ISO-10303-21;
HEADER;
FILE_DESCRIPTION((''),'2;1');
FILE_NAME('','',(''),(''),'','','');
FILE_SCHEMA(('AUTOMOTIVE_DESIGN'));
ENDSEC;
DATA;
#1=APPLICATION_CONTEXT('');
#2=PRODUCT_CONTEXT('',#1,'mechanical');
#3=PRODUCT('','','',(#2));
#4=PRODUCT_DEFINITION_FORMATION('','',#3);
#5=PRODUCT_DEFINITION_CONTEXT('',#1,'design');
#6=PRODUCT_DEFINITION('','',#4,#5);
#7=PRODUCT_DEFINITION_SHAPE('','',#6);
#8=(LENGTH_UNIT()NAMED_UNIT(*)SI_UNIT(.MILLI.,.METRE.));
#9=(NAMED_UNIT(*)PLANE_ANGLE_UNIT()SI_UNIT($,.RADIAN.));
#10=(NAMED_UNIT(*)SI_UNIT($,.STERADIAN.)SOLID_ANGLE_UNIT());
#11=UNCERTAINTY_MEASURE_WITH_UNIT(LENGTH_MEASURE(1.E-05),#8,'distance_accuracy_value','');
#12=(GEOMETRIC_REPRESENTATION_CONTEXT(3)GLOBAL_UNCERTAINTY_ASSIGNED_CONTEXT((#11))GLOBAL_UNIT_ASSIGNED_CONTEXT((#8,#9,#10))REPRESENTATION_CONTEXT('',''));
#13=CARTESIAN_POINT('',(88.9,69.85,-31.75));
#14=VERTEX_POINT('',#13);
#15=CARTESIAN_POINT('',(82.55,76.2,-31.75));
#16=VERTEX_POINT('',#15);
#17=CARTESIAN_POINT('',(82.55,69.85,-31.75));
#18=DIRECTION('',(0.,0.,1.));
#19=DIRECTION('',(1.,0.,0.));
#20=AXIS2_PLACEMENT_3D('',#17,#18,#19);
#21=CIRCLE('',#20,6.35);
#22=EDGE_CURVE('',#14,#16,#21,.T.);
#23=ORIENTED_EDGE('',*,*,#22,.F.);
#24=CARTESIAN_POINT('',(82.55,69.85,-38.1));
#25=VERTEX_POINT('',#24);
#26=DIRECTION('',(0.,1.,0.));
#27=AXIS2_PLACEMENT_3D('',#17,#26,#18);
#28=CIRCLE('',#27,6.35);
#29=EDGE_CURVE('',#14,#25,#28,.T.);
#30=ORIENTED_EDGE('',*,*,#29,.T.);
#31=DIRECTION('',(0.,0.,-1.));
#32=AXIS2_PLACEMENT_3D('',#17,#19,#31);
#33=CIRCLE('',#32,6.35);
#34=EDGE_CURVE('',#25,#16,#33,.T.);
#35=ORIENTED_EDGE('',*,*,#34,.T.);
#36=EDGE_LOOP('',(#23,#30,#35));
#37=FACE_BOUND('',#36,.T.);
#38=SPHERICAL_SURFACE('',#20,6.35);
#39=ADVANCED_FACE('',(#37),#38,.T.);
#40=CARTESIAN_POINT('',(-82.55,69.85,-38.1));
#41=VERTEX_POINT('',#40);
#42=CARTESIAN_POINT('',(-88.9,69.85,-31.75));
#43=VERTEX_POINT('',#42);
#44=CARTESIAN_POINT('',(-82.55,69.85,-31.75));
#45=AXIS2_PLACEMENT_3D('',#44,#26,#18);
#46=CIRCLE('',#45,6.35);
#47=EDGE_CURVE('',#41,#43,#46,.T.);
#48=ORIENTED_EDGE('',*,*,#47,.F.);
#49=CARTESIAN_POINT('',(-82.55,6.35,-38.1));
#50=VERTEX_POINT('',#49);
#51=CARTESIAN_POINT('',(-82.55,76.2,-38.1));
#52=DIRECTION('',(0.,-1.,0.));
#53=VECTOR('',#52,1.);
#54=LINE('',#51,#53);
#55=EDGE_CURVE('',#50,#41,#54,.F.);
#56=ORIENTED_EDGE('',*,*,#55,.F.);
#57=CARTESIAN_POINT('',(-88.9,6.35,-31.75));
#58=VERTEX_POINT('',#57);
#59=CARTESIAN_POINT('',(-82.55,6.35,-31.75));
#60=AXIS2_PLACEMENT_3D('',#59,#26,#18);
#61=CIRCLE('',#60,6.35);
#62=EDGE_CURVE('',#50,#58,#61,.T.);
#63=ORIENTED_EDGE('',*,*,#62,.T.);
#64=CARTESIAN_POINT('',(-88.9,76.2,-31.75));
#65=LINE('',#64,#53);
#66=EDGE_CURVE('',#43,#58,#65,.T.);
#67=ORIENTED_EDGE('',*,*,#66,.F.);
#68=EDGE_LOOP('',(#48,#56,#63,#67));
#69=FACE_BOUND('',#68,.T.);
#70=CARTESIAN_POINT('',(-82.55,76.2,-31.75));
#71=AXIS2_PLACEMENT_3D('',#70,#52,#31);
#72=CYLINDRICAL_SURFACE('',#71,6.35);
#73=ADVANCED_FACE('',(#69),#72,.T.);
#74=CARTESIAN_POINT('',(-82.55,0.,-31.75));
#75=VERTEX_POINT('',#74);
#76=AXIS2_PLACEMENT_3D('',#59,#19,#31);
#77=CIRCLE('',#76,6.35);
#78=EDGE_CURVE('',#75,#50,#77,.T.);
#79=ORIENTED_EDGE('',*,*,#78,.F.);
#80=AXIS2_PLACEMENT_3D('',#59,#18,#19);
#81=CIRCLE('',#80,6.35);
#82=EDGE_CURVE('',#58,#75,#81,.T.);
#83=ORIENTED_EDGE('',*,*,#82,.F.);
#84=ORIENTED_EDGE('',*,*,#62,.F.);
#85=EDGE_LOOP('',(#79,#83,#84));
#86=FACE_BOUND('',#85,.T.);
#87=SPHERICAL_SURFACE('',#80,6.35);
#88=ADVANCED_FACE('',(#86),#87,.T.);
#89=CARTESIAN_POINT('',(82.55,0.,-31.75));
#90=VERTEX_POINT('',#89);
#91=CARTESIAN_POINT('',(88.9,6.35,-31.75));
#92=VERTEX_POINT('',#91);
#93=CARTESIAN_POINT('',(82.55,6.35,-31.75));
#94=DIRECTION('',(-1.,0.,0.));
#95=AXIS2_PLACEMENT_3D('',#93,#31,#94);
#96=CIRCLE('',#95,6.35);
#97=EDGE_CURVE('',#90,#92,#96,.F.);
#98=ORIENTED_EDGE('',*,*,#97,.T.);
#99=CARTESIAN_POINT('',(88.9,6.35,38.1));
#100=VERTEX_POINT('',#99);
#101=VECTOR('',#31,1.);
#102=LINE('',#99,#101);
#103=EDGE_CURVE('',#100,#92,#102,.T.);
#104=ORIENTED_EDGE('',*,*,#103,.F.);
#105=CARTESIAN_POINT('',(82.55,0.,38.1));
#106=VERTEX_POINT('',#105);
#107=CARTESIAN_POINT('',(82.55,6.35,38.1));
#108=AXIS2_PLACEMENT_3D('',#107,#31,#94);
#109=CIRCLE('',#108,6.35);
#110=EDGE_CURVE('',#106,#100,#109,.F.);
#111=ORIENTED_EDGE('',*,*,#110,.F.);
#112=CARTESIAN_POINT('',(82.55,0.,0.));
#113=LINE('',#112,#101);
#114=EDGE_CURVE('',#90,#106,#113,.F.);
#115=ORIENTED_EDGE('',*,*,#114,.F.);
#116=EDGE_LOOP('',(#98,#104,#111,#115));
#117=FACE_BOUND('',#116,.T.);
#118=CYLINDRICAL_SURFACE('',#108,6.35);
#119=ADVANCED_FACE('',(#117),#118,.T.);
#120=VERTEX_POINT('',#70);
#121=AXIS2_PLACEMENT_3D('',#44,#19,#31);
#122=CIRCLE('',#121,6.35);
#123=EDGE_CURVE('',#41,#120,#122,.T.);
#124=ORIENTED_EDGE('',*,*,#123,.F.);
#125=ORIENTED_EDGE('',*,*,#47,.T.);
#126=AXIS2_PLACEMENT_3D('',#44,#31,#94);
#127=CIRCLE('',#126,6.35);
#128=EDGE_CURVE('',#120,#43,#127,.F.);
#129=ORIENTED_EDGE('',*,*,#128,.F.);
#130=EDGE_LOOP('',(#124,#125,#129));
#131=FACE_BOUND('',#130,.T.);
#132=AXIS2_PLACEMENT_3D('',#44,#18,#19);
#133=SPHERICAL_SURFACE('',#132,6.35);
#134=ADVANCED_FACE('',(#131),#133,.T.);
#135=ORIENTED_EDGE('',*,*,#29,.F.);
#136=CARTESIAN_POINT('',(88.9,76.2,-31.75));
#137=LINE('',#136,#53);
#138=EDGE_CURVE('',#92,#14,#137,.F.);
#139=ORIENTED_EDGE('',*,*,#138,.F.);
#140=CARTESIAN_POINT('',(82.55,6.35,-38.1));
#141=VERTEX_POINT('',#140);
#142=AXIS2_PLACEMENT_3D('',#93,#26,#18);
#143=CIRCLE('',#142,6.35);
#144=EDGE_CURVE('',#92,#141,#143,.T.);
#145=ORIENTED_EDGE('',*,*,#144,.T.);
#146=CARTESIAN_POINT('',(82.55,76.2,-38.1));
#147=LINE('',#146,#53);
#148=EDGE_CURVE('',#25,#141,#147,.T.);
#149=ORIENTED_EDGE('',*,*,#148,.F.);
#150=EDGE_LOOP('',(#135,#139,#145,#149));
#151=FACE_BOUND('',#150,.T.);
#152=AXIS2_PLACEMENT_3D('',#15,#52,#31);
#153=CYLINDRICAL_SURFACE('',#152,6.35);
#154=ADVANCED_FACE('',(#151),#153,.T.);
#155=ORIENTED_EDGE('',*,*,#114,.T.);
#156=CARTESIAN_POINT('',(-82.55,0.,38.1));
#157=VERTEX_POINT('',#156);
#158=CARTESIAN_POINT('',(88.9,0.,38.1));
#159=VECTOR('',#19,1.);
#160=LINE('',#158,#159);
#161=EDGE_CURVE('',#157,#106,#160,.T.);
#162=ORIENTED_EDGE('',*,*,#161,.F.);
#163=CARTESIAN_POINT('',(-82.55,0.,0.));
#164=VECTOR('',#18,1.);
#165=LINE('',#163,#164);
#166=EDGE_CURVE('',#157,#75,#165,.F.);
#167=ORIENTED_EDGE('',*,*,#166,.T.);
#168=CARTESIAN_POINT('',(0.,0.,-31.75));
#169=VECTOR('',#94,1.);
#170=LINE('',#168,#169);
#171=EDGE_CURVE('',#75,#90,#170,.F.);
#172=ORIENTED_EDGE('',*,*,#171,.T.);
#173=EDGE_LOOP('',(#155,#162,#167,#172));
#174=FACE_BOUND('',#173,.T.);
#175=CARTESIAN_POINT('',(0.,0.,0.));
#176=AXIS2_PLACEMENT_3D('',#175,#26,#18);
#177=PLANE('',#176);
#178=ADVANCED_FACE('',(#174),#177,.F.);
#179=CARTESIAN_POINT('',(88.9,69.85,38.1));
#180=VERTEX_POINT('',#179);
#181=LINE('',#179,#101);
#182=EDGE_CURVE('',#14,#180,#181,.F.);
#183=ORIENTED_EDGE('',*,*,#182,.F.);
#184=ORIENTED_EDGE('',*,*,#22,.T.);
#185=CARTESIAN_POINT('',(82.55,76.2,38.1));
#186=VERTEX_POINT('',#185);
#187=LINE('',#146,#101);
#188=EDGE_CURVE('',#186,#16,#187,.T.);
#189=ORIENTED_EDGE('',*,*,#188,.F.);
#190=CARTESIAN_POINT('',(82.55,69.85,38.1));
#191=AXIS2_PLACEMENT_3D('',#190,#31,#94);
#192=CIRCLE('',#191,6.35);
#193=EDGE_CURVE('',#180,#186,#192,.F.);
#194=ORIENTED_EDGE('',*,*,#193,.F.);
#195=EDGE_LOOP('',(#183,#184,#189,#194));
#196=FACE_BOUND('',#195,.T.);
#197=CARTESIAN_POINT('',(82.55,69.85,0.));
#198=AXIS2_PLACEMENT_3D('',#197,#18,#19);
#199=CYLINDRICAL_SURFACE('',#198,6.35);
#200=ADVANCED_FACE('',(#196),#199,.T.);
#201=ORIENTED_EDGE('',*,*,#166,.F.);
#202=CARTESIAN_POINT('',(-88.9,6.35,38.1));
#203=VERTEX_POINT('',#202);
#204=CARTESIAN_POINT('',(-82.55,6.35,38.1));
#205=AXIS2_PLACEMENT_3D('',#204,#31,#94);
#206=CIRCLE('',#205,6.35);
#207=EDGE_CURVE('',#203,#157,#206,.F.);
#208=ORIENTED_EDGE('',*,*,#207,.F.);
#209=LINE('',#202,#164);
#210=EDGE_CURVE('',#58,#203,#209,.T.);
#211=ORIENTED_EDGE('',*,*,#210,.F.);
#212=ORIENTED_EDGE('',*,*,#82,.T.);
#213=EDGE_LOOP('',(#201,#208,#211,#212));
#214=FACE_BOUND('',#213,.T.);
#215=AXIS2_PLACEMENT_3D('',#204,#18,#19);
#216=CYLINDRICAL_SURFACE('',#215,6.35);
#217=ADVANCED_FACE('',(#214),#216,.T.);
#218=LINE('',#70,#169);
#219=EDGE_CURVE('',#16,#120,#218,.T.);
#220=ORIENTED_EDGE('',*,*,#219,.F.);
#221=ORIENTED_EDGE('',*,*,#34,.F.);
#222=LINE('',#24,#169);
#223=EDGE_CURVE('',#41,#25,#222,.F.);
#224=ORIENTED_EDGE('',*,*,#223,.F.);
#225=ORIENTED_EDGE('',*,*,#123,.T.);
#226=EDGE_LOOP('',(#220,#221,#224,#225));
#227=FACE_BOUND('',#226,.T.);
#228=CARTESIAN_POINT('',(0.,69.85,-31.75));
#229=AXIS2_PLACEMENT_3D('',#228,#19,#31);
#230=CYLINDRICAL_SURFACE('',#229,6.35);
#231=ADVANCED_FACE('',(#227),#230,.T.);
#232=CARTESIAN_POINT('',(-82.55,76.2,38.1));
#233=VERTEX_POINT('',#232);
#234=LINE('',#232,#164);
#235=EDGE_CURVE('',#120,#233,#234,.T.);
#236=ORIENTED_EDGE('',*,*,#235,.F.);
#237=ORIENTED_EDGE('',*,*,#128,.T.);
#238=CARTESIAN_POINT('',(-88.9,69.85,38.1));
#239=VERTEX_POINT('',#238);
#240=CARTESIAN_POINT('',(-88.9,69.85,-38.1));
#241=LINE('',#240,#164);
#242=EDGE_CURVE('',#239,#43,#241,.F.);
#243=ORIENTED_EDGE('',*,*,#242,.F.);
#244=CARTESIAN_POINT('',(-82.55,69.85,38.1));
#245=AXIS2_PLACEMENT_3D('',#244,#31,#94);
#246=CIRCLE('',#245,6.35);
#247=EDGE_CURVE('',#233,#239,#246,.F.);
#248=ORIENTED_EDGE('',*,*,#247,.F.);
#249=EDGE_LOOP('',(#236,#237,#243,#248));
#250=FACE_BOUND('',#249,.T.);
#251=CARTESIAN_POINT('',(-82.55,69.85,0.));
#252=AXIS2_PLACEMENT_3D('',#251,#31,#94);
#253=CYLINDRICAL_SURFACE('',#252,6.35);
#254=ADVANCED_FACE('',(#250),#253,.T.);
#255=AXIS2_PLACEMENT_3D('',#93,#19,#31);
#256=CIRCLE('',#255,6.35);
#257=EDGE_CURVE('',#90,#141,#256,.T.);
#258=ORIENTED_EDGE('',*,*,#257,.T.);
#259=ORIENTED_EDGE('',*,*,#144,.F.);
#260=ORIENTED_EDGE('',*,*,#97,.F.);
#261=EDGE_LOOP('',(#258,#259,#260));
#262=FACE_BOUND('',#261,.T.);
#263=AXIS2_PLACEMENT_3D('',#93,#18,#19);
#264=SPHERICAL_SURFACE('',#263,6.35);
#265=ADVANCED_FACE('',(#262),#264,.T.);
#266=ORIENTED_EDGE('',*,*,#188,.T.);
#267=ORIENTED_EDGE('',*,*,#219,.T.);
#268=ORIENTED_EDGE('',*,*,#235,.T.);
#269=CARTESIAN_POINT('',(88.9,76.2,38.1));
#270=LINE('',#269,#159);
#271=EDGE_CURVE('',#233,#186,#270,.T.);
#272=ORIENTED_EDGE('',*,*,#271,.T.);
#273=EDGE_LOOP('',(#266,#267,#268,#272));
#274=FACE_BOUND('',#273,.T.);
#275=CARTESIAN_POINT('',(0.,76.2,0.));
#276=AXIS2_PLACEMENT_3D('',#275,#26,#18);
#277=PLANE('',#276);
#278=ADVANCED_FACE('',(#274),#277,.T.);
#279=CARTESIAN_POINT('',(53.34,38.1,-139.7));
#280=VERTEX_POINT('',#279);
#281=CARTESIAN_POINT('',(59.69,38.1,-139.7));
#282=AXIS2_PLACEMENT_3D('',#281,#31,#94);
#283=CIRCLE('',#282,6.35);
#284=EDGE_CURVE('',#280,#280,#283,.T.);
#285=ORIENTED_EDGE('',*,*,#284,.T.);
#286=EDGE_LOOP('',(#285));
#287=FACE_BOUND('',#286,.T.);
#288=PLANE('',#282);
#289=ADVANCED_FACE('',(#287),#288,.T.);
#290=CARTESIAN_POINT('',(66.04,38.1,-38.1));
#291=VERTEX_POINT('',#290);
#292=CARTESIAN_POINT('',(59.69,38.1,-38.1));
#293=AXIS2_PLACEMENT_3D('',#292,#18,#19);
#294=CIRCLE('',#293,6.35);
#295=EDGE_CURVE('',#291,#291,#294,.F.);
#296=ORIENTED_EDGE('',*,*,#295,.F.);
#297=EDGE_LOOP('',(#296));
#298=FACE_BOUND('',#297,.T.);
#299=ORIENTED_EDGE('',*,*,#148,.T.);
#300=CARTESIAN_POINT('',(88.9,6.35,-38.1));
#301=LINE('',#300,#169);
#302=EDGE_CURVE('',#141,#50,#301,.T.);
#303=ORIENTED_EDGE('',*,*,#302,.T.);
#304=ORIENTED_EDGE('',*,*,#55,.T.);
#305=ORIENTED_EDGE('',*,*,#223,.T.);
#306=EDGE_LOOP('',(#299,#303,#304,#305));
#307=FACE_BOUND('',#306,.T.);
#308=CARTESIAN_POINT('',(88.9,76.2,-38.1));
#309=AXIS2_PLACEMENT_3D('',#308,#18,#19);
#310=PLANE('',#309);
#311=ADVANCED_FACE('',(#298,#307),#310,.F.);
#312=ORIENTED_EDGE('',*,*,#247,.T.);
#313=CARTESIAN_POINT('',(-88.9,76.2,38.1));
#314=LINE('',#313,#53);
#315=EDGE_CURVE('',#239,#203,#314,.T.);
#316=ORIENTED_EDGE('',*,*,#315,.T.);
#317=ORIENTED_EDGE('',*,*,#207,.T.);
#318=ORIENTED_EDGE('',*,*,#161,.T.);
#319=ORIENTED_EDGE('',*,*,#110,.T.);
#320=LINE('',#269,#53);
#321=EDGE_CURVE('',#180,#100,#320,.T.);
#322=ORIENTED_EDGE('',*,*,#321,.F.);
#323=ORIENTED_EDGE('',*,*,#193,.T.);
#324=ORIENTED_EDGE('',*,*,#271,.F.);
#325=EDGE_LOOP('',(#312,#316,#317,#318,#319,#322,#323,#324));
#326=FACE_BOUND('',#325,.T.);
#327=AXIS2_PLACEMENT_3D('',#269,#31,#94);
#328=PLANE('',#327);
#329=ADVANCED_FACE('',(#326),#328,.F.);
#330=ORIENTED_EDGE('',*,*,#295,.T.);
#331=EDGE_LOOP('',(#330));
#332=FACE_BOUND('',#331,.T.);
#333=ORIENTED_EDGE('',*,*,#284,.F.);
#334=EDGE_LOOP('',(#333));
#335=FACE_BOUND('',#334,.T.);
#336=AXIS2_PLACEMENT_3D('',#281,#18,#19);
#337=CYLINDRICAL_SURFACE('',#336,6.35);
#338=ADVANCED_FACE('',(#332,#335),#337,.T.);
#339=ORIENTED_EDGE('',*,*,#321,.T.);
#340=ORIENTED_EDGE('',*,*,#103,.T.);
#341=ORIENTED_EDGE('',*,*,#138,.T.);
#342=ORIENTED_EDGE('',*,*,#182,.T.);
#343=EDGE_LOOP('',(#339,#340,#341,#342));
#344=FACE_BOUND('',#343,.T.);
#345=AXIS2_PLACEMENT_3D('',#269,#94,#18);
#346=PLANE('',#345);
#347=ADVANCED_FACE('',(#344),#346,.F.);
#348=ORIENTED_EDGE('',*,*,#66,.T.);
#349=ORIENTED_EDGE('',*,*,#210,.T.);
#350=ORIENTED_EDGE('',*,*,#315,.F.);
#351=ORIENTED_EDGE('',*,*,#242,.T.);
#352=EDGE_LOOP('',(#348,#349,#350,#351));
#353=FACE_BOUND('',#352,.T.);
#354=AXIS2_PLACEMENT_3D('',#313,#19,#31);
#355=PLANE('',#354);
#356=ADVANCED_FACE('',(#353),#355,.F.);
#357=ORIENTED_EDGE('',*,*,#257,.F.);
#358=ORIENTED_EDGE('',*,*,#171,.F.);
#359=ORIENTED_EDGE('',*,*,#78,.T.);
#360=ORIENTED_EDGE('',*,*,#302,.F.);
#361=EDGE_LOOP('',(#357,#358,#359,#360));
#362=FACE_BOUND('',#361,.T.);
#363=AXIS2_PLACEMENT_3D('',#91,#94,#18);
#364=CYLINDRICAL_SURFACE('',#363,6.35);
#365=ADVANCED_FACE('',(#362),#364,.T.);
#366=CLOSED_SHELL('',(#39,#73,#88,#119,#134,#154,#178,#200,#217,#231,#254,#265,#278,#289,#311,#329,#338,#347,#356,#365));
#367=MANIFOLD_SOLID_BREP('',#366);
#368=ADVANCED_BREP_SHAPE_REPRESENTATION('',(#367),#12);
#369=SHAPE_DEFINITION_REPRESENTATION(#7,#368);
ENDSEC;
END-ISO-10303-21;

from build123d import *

# Parameters (mm, degrees)
SKETCH1_W           = 177.8
SKETCH1_H           = 76.2
BOSS_EXTRUDE1_DEPTH = 76.2
FILLET1_R           = 6.35
SKETCH2_R           = 6.35
BOSS_EXTRUDE2_DEPTH = 101.6
FILLET2_R           = 6.35


with BuildPart() as part:
    # Sketch1 → Boss-Extrude1 (new body)
    with BuildSketch(Plane(origin=(0, 0, 0), x_dir=(1, 0, 0), z_dir=(0, 1, 0))):
        Rectangle(SKETCH1_W, SKETCH1_H)
    extrude(amount=BOSS_EXTRUDE1_DEPTH)

    # Fillet1
    fillet1_edges = [part.edges().sort_by_distance(p)[0] for p in [
        (88.9, 76.2, 0),
        (-88.9, 76.2, 0),
        (88.9, 0, 0),
        (-88.9, 0, 0),
    ]]
    fillet(fillet1_edges, radius=FILLET1_R)

    # Sketch2 → Boss-Extrude2 (add)
    with BuildSketch(Plane(origin=(0, 0, -38.1), x_dir=(-1, 0, 0), z_dir=(0, 0, -1))):
        with Locations(Location((-59.69, 38.1, 0), (0, 0, 180))):
            Circle(SKETCH2_R)
    extrude(amount=BOSS_EXTRUDE2_DEPTH)

    # Fillet2
    fillet2_edges = [part.edges().sort_by_distance(p)[0] for p in [
        (-88.9, 38.1, -38.1),
        (0, 0, -38.1),
        (0, 76.2, -38.1),
        (88.9, 38.1, -38.1),
        (87.040128061, 74.340128061, -38.1),
        (-87.040128061, 74.340128061, -38.1),
        (87.040128061, 1.859871939, -38.1),
        (-87.040128061, 1.859871939, -38.1),
    ]]
    fillet(fillet2_edges, radius=FILLET2_R)


solid = part.part
